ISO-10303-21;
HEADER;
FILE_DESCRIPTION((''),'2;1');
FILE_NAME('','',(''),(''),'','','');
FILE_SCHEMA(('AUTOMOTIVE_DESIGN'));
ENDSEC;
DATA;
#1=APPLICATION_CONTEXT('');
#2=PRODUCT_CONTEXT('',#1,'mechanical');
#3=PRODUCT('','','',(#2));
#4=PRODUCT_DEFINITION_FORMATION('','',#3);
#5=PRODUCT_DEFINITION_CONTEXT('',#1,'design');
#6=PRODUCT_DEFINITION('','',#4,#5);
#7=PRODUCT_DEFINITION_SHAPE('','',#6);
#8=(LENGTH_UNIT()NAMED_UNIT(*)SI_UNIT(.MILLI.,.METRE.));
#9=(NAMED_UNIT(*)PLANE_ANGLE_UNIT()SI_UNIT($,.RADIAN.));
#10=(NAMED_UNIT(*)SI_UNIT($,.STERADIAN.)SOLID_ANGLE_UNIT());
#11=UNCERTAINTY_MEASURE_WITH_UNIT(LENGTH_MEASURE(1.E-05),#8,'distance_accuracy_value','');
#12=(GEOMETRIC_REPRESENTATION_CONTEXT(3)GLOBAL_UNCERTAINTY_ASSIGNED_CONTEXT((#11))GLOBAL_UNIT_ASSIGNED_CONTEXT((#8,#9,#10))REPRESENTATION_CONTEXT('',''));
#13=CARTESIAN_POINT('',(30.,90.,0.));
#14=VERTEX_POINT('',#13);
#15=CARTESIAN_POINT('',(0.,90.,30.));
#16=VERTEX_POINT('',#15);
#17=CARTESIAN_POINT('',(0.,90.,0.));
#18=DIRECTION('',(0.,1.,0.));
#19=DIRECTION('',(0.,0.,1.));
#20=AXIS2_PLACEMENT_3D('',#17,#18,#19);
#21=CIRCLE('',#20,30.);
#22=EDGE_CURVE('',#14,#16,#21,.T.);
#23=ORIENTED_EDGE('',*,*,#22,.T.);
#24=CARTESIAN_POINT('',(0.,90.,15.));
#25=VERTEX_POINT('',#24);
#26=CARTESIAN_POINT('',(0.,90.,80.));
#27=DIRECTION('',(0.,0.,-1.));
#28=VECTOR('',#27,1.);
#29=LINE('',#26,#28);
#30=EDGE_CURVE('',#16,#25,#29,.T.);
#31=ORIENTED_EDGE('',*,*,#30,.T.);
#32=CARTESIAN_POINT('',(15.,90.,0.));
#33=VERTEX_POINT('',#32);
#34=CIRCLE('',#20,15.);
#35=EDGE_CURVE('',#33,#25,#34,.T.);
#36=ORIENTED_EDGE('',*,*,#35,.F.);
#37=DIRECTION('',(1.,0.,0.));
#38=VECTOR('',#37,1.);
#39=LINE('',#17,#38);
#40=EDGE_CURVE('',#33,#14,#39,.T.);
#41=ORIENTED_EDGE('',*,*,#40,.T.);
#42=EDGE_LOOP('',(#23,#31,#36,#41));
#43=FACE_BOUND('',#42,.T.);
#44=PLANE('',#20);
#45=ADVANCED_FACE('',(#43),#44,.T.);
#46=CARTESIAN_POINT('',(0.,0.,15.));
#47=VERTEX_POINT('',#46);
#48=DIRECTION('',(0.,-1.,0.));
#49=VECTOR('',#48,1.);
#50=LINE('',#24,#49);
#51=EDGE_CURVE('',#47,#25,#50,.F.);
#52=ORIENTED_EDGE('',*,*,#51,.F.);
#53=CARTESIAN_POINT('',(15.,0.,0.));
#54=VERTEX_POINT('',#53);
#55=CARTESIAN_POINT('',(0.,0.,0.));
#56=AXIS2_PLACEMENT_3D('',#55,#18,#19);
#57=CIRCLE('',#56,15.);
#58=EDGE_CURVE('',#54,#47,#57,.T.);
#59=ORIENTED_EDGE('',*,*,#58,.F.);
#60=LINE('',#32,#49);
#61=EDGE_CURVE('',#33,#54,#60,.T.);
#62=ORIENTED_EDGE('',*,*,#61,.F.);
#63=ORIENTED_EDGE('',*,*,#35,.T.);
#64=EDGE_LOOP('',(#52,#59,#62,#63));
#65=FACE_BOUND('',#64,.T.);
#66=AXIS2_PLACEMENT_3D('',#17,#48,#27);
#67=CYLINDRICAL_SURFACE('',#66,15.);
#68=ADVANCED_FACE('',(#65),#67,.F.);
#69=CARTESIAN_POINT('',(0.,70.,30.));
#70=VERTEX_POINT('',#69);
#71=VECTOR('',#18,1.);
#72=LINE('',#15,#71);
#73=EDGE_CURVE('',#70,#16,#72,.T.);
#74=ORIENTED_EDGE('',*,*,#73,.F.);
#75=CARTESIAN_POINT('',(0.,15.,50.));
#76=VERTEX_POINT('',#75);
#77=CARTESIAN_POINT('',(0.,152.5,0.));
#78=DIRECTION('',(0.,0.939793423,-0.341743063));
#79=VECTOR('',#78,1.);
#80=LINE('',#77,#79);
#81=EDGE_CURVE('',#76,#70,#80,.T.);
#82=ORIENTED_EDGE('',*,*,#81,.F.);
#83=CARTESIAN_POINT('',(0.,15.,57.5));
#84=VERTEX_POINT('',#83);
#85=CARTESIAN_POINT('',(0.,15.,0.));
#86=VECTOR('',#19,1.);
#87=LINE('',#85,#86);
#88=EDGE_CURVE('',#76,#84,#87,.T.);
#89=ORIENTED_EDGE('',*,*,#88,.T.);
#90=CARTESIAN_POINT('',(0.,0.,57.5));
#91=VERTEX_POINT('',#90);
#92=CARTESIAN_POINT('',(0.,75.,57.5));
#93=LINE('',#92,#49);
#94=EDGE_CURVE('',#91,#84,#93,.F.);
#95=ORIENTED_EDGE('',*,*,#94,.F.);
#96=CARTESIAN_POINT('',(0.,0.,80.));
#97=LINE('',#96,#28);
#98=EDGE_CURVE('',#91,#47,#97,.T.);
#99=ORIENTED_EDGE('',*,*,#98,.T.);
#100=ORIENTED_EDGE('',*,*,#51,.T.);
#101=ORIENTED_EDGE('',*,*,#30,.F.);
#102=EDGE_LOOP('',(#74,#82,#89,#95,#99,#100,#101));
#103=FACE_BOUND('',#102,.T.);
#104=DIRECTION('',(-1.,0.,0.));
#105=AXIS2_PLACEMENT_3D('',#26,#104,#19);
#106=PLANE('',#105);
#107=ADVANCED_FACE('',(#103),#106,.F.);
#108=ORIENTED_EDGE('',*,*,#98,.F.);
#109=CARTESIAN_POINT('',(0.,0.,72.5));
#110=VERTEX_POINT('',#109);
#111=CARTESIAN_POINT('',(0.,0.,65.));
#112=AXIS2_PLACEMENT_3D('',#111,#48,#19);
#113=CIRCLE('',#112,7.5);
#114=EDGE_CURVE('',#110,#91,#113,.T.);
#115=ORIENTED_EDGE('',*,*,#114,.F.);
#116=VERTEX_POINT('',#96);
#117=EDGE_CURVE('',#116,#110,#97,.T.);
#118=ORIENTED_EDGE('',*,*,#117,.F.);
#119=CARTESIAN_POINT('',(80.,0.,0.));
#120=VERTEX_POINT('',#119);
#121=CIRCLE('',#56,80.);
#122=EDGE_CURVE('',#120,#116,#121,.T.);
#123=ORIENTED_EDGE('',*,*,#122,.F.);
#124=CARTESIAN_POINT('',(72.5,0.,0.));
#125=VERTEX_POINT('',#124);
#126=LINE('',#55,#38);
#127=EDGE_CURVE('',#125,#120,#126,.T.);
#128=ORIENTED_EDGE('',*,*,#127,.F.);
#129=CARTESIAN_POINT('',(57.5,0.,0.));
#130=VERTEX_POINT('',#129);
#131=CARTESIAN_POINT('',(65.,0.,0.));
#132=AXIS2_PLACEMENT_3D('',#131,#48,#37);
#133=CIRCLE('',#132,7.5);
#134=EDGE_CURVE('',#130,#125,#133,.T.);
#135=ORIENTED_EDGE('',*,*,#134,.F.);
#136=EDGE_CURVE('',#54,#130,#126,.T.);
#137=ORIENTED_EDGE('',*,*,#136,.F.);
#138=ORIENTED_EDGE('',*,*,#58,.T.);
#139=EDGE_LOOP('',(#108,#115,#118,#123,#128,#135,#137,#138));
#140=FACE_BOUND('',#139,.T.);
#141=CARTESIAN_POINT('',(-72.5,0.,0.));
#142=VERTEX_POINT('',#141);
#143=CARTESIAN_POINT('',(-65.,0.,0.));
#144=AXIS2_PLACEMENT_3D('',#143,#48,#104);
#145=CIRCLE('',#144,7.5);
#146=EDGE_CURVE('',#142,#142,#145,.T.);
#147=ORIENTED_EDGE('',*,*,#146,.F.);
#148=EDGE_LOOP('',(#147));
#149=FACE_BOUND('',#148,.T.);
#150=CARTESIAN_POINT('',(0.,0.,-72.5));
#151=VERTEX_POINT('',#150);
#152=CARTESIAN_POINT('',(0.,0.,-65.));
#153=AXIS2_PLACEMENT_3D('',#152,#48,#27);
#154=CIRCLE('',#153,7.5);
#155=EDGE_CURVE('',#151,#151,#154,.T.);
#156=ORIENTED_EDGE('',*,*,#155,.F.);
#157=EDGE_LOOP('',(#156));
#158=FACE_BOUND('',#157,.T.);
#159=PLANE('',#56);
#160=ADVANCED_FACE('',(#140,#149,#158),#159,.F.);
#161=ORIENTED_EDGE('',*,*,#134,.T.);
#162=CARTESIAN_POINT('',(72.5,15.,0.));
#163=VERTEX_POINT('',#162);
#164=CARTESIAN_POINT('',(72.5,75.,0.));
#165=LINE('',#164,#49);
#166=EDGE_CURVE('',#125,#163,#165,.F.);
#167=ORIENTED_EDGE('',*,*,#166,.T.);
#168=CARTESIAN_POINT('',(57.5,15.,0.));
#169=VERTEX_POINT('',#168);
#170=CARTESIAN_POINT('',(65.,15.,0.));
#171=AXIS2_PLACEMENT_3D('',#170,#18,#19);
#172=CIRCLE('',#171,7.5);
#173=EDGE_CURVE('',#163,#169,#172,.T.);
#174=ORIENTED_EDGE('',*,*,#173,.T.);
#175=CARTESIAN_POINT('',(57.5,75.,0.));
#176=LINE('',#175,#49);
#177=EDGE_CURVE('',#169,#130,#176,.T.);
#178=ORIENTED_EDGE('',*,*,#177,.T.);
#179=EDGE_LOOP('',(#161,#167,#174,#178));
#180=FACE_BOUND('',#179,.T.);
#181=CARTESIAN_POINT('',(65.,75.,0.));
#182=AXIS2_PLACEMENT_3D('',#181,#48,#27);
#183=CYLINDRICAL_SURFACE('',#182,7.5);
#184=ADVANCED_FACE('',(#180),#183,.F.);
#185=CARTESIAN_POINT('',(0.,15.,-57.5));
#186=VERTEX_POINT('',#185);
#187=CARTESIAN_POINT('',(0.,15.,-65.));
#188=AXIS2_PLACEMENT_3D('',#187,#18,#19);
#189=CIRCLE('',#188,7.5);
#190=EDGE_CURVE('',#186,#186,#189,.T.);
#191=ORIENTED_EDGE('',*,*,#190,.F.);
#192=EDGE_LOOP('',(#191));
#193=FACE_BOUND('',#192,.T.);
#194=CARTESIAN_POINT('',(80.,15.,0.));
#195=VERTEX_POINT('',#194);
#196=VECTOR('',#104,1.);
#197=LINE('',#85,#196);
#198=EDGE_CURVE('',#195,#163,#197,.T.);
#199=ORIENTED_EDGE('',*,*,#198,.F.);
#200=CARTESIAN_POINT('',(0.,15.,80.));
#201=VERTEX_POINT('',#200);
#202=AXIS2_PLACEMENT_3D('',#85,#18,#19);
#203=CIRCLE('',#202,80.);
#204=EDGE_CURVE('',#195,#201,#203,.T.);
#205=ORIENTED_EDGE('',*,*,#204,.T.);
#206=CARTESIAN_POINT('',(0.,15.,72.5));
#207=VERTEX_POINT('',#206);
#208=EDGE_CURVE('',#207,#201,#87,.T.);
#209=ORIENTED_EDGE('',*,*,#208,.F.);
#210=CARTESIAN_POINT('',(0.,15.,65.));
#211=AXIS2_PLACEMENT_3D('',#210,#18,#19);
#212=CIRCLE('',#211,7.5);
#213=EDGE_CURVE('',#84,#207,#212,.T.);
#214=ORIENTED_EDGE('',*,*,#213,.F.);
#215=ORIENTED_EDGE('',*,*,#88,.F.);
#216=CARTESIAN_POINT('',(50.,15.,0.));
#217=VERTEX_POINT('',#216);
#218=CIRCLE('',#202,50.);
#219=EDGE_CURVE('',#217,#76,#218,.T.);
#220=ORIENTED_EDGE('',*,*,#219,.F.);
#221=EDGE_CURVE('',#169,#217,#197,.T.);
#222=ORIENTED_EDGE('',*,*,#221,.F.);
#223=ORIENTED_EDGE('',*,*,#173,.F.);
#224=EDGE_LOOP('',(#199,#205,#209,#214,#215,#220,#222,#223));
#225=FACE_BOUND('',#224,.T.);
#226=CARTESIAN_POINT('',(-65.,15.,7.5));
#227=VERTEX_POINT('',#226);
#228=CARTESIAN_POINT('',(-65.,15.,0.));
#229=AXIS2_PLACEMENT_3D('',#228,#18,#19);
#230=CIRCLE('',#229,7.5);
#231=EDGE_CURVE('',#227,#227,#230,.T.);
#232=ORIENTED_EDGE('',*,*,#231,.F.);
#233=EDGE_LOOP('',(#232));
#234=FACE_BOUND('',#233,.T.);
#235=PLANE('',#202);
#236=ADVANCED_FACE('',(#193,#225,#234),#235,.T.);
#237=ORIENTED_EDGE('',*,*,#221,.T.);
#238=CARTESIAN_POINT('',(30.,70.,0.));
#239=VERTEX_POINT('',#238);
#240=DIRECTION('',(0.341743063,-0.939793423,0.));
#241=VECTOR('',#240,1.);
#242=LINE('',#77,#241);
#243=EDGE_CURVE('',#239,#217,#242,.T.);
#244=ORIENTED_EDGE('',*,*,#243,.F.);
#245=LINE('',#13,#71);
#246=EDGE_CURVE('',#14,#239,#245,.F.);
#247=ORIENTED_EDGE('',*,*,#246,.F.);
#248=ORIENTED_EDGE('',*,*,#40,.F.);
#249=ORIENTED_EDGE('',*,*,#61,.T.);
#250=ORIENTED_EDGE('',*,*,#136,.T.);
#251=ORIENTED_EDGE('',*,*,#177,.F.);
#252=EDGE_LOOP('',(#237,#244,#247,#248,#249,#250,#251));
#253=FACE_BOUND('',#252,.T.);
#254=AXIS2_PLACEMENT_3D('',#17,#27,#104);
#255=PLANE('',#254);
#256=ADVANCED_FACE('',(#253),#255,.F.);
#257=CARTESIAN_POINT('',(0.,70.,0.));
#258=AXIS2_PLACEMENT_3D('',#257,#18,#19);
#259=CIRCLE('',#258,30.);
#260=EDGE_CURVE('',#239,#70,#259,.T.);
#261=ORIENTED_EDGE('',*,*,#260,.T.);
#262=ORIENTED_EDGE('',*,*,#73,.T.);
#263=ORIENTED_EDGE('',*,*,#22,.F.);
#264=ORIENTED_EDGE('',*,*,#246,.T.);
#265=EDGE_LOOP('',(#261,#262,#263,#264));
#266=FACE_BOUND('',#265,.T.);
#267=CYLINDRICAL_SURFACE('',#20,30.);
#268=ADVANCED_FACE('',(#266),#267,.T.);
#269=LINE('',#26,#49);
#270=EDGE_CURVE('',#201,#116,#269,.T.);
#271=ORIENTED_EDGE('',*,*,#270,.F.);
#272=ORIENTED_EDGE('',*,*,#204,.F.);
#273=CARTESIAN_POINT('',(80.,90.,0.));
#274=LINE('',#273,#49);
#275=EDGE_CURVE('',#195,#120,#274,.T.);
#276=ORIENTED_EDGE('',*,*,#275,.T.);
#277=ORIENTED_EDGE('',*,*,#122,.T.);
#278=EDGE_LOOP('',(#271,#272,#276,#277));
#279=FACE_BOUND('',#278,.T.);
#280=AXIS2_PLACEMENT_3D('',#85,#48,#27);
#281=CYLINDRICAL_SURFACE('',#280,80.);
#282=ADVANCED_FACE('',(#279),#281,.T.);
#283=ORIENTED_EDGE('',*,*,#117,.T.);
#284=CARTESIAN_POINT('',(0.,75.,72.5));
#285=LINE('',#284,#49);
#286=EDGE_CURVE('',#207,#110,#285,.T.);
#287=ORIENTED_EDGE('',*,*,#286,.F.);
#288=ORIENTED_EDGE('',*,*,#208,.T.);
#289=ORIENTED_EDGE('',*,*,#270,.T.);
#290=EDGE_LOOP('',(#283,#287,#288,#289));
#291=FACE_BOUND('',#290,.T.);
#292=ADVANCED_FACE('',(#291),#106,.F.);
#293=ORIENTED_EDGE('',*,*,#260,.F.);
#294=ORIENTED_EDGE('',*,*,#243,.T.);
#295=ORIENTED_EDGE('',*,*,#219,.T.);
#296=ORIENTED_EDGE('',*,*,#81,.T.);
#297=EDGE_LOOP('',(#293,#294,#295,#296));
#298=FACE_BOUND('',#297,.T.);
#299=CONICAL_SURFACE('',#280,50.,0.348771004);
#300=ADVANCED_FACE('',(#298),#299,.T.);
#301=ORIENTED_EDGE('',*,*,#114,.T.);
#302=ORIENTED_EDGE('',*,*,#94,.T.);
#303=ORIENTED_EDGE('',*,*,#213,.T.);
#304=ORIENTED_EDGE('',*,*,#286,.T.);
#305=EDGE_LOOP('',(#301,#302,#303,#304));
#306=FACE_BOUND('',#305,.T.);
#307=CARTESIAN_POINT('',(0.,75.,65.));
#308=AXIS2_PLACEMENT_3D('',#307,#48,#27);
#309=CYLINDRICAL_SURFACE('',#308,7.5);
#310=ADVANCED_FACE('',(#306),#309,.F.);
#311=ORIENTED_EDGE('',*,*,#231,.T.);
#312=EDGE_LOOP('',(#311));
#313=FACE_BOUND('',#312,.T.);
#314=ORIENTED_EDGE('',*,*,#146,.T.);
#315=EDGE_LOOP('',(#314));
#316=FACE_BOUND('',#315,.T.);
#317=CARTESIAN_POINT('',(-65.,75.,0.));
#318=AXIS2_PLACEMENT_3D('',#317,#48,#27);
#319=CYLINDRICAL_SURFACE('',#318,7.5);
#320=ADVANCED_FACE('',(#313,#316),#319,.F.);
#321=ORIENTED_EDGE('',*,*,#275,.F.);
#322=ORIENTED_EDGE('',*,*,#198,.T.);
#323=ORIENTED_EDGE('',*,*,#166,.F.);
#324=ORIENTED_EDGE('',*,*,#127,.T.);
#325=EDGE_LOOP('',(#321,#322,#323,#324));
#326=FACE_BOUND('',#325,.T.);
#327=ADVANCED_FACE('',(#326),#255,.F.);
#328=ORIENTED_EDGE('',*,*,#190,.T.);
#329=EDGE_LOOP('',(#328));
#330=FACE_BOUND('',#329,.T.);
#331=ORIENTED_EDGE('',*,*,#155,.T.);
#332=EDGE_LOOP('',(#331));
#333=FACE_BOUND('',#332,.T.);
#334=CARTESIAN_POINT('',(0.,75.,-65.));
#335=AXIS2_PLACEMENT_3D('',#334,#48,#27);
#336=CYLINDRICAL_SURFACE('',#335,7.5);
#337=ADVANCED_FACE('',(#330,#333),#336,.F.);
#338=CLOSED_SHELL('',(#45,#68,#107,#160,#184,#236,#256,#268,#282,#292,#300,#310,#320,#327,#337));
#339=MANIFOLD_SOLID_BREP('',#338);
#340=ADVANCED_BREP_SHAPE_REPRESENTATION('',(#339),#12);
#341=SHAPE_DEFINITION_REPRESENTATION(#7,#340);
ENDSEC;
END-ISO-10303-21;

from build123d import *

# Parameters (mm, degrees)
SKETCH1_R           = 80
BOSS_EXTRUDE1_DEPTH = 15
SKETCH2_R           = 50
BOSS_EXTRUDE2_DEPTH = 75
SKETCH3_R           = 15
CUT_EXTRUDE1_DEPTH  = 91
SKETCH5_R           = 7.5
CUT_EXTRUDE2_DEPTH  = 75
CIRPATTERN1_COUNT   = 4
CUT_EXTRUDE3_DEPTH  = 91


with BuildPart() as part:
    # Sketch1 → Boss-Extrude1 (new body)
    with BuildSketch(Plane(origin=(0, 0, 0), x_dir=(1, 0, 0), z_dir=(0, 1, 0))):
        Circle(SKETCH1_R)
    extrude(amount=BOSS_EXTRUDE1_DEPTH)

    # Sketch2 → Boss-Extrude2 (add)
    with BuildSketch(Plane(origin=(0, 15, 0), x_dir=(1, 0, 0), z_dir=(0, 1, 0))):
        Circle(SKETCH2_R)
    extrude(amount=BOSS_EXTRUDE2_DEPTH)

    # Sketch3 → Cut-Extrude1 (cut, through all)
    with BuildSketch(Plane(origin=(0, 0, 0), x_dir=(1, 0, 0), z_dir=(0, 1, 0))):
        Circle(SKETCH3_R)
    extrude(amount=CUT_EXTRUDE1_DEPTH, mode=Mode.SUBTRACT)

    # Sketch4 → Cut-Revolve1 (revolve, cut)
    with BuildSketch(Plane(origin=(0, 0, 0), x_dir=(0, 0, -1), z_dir=(1, 0, 0))):
        Polygon((-30, 90), (-30, 70), (-50, 15), (-50, 90), align=None)
    revolve(axis=Axis((0, 90, 0), (0, -1, 0)), mode=Mode.SUBTRACT)

    # Sketch5 → Cut-Extrude2 (cut)
    with BuildSketch(Plane.XZ):
        with Locations((0, -65)):
            Circle(SKETCH5_R)
    cut_extrude2 = extrude(amount=-CUT_EXTRUDE2_DEPTH, mode=Mode.SUBTRACT)

    # CirPattern1: Cut-Extrude2 ×4 about axis
    cirpattern1_axis = Axis((0, 0, 0), (0, 1, 0))
    for i in range(1, CIRPATTERN1_COUNT):
        add(cut_extrude2.rotate(cirpattern1_axis, i * 360 / CIRPATTERN1_COUNT), mode=Mode.SUBTRACT)

    # Sketch6 → Cut-Extrude3 (cut, through all)
    with BuildSketch(Plane.XZ):
        Polygon((0, 80), (0, 0), (80, 0), (80, 86.210661468), align=None)
    extrude(amount=-CUT_EXTRUDE3_DEPTH, mode=Mode.SUBTRACT)


solid = part.part
